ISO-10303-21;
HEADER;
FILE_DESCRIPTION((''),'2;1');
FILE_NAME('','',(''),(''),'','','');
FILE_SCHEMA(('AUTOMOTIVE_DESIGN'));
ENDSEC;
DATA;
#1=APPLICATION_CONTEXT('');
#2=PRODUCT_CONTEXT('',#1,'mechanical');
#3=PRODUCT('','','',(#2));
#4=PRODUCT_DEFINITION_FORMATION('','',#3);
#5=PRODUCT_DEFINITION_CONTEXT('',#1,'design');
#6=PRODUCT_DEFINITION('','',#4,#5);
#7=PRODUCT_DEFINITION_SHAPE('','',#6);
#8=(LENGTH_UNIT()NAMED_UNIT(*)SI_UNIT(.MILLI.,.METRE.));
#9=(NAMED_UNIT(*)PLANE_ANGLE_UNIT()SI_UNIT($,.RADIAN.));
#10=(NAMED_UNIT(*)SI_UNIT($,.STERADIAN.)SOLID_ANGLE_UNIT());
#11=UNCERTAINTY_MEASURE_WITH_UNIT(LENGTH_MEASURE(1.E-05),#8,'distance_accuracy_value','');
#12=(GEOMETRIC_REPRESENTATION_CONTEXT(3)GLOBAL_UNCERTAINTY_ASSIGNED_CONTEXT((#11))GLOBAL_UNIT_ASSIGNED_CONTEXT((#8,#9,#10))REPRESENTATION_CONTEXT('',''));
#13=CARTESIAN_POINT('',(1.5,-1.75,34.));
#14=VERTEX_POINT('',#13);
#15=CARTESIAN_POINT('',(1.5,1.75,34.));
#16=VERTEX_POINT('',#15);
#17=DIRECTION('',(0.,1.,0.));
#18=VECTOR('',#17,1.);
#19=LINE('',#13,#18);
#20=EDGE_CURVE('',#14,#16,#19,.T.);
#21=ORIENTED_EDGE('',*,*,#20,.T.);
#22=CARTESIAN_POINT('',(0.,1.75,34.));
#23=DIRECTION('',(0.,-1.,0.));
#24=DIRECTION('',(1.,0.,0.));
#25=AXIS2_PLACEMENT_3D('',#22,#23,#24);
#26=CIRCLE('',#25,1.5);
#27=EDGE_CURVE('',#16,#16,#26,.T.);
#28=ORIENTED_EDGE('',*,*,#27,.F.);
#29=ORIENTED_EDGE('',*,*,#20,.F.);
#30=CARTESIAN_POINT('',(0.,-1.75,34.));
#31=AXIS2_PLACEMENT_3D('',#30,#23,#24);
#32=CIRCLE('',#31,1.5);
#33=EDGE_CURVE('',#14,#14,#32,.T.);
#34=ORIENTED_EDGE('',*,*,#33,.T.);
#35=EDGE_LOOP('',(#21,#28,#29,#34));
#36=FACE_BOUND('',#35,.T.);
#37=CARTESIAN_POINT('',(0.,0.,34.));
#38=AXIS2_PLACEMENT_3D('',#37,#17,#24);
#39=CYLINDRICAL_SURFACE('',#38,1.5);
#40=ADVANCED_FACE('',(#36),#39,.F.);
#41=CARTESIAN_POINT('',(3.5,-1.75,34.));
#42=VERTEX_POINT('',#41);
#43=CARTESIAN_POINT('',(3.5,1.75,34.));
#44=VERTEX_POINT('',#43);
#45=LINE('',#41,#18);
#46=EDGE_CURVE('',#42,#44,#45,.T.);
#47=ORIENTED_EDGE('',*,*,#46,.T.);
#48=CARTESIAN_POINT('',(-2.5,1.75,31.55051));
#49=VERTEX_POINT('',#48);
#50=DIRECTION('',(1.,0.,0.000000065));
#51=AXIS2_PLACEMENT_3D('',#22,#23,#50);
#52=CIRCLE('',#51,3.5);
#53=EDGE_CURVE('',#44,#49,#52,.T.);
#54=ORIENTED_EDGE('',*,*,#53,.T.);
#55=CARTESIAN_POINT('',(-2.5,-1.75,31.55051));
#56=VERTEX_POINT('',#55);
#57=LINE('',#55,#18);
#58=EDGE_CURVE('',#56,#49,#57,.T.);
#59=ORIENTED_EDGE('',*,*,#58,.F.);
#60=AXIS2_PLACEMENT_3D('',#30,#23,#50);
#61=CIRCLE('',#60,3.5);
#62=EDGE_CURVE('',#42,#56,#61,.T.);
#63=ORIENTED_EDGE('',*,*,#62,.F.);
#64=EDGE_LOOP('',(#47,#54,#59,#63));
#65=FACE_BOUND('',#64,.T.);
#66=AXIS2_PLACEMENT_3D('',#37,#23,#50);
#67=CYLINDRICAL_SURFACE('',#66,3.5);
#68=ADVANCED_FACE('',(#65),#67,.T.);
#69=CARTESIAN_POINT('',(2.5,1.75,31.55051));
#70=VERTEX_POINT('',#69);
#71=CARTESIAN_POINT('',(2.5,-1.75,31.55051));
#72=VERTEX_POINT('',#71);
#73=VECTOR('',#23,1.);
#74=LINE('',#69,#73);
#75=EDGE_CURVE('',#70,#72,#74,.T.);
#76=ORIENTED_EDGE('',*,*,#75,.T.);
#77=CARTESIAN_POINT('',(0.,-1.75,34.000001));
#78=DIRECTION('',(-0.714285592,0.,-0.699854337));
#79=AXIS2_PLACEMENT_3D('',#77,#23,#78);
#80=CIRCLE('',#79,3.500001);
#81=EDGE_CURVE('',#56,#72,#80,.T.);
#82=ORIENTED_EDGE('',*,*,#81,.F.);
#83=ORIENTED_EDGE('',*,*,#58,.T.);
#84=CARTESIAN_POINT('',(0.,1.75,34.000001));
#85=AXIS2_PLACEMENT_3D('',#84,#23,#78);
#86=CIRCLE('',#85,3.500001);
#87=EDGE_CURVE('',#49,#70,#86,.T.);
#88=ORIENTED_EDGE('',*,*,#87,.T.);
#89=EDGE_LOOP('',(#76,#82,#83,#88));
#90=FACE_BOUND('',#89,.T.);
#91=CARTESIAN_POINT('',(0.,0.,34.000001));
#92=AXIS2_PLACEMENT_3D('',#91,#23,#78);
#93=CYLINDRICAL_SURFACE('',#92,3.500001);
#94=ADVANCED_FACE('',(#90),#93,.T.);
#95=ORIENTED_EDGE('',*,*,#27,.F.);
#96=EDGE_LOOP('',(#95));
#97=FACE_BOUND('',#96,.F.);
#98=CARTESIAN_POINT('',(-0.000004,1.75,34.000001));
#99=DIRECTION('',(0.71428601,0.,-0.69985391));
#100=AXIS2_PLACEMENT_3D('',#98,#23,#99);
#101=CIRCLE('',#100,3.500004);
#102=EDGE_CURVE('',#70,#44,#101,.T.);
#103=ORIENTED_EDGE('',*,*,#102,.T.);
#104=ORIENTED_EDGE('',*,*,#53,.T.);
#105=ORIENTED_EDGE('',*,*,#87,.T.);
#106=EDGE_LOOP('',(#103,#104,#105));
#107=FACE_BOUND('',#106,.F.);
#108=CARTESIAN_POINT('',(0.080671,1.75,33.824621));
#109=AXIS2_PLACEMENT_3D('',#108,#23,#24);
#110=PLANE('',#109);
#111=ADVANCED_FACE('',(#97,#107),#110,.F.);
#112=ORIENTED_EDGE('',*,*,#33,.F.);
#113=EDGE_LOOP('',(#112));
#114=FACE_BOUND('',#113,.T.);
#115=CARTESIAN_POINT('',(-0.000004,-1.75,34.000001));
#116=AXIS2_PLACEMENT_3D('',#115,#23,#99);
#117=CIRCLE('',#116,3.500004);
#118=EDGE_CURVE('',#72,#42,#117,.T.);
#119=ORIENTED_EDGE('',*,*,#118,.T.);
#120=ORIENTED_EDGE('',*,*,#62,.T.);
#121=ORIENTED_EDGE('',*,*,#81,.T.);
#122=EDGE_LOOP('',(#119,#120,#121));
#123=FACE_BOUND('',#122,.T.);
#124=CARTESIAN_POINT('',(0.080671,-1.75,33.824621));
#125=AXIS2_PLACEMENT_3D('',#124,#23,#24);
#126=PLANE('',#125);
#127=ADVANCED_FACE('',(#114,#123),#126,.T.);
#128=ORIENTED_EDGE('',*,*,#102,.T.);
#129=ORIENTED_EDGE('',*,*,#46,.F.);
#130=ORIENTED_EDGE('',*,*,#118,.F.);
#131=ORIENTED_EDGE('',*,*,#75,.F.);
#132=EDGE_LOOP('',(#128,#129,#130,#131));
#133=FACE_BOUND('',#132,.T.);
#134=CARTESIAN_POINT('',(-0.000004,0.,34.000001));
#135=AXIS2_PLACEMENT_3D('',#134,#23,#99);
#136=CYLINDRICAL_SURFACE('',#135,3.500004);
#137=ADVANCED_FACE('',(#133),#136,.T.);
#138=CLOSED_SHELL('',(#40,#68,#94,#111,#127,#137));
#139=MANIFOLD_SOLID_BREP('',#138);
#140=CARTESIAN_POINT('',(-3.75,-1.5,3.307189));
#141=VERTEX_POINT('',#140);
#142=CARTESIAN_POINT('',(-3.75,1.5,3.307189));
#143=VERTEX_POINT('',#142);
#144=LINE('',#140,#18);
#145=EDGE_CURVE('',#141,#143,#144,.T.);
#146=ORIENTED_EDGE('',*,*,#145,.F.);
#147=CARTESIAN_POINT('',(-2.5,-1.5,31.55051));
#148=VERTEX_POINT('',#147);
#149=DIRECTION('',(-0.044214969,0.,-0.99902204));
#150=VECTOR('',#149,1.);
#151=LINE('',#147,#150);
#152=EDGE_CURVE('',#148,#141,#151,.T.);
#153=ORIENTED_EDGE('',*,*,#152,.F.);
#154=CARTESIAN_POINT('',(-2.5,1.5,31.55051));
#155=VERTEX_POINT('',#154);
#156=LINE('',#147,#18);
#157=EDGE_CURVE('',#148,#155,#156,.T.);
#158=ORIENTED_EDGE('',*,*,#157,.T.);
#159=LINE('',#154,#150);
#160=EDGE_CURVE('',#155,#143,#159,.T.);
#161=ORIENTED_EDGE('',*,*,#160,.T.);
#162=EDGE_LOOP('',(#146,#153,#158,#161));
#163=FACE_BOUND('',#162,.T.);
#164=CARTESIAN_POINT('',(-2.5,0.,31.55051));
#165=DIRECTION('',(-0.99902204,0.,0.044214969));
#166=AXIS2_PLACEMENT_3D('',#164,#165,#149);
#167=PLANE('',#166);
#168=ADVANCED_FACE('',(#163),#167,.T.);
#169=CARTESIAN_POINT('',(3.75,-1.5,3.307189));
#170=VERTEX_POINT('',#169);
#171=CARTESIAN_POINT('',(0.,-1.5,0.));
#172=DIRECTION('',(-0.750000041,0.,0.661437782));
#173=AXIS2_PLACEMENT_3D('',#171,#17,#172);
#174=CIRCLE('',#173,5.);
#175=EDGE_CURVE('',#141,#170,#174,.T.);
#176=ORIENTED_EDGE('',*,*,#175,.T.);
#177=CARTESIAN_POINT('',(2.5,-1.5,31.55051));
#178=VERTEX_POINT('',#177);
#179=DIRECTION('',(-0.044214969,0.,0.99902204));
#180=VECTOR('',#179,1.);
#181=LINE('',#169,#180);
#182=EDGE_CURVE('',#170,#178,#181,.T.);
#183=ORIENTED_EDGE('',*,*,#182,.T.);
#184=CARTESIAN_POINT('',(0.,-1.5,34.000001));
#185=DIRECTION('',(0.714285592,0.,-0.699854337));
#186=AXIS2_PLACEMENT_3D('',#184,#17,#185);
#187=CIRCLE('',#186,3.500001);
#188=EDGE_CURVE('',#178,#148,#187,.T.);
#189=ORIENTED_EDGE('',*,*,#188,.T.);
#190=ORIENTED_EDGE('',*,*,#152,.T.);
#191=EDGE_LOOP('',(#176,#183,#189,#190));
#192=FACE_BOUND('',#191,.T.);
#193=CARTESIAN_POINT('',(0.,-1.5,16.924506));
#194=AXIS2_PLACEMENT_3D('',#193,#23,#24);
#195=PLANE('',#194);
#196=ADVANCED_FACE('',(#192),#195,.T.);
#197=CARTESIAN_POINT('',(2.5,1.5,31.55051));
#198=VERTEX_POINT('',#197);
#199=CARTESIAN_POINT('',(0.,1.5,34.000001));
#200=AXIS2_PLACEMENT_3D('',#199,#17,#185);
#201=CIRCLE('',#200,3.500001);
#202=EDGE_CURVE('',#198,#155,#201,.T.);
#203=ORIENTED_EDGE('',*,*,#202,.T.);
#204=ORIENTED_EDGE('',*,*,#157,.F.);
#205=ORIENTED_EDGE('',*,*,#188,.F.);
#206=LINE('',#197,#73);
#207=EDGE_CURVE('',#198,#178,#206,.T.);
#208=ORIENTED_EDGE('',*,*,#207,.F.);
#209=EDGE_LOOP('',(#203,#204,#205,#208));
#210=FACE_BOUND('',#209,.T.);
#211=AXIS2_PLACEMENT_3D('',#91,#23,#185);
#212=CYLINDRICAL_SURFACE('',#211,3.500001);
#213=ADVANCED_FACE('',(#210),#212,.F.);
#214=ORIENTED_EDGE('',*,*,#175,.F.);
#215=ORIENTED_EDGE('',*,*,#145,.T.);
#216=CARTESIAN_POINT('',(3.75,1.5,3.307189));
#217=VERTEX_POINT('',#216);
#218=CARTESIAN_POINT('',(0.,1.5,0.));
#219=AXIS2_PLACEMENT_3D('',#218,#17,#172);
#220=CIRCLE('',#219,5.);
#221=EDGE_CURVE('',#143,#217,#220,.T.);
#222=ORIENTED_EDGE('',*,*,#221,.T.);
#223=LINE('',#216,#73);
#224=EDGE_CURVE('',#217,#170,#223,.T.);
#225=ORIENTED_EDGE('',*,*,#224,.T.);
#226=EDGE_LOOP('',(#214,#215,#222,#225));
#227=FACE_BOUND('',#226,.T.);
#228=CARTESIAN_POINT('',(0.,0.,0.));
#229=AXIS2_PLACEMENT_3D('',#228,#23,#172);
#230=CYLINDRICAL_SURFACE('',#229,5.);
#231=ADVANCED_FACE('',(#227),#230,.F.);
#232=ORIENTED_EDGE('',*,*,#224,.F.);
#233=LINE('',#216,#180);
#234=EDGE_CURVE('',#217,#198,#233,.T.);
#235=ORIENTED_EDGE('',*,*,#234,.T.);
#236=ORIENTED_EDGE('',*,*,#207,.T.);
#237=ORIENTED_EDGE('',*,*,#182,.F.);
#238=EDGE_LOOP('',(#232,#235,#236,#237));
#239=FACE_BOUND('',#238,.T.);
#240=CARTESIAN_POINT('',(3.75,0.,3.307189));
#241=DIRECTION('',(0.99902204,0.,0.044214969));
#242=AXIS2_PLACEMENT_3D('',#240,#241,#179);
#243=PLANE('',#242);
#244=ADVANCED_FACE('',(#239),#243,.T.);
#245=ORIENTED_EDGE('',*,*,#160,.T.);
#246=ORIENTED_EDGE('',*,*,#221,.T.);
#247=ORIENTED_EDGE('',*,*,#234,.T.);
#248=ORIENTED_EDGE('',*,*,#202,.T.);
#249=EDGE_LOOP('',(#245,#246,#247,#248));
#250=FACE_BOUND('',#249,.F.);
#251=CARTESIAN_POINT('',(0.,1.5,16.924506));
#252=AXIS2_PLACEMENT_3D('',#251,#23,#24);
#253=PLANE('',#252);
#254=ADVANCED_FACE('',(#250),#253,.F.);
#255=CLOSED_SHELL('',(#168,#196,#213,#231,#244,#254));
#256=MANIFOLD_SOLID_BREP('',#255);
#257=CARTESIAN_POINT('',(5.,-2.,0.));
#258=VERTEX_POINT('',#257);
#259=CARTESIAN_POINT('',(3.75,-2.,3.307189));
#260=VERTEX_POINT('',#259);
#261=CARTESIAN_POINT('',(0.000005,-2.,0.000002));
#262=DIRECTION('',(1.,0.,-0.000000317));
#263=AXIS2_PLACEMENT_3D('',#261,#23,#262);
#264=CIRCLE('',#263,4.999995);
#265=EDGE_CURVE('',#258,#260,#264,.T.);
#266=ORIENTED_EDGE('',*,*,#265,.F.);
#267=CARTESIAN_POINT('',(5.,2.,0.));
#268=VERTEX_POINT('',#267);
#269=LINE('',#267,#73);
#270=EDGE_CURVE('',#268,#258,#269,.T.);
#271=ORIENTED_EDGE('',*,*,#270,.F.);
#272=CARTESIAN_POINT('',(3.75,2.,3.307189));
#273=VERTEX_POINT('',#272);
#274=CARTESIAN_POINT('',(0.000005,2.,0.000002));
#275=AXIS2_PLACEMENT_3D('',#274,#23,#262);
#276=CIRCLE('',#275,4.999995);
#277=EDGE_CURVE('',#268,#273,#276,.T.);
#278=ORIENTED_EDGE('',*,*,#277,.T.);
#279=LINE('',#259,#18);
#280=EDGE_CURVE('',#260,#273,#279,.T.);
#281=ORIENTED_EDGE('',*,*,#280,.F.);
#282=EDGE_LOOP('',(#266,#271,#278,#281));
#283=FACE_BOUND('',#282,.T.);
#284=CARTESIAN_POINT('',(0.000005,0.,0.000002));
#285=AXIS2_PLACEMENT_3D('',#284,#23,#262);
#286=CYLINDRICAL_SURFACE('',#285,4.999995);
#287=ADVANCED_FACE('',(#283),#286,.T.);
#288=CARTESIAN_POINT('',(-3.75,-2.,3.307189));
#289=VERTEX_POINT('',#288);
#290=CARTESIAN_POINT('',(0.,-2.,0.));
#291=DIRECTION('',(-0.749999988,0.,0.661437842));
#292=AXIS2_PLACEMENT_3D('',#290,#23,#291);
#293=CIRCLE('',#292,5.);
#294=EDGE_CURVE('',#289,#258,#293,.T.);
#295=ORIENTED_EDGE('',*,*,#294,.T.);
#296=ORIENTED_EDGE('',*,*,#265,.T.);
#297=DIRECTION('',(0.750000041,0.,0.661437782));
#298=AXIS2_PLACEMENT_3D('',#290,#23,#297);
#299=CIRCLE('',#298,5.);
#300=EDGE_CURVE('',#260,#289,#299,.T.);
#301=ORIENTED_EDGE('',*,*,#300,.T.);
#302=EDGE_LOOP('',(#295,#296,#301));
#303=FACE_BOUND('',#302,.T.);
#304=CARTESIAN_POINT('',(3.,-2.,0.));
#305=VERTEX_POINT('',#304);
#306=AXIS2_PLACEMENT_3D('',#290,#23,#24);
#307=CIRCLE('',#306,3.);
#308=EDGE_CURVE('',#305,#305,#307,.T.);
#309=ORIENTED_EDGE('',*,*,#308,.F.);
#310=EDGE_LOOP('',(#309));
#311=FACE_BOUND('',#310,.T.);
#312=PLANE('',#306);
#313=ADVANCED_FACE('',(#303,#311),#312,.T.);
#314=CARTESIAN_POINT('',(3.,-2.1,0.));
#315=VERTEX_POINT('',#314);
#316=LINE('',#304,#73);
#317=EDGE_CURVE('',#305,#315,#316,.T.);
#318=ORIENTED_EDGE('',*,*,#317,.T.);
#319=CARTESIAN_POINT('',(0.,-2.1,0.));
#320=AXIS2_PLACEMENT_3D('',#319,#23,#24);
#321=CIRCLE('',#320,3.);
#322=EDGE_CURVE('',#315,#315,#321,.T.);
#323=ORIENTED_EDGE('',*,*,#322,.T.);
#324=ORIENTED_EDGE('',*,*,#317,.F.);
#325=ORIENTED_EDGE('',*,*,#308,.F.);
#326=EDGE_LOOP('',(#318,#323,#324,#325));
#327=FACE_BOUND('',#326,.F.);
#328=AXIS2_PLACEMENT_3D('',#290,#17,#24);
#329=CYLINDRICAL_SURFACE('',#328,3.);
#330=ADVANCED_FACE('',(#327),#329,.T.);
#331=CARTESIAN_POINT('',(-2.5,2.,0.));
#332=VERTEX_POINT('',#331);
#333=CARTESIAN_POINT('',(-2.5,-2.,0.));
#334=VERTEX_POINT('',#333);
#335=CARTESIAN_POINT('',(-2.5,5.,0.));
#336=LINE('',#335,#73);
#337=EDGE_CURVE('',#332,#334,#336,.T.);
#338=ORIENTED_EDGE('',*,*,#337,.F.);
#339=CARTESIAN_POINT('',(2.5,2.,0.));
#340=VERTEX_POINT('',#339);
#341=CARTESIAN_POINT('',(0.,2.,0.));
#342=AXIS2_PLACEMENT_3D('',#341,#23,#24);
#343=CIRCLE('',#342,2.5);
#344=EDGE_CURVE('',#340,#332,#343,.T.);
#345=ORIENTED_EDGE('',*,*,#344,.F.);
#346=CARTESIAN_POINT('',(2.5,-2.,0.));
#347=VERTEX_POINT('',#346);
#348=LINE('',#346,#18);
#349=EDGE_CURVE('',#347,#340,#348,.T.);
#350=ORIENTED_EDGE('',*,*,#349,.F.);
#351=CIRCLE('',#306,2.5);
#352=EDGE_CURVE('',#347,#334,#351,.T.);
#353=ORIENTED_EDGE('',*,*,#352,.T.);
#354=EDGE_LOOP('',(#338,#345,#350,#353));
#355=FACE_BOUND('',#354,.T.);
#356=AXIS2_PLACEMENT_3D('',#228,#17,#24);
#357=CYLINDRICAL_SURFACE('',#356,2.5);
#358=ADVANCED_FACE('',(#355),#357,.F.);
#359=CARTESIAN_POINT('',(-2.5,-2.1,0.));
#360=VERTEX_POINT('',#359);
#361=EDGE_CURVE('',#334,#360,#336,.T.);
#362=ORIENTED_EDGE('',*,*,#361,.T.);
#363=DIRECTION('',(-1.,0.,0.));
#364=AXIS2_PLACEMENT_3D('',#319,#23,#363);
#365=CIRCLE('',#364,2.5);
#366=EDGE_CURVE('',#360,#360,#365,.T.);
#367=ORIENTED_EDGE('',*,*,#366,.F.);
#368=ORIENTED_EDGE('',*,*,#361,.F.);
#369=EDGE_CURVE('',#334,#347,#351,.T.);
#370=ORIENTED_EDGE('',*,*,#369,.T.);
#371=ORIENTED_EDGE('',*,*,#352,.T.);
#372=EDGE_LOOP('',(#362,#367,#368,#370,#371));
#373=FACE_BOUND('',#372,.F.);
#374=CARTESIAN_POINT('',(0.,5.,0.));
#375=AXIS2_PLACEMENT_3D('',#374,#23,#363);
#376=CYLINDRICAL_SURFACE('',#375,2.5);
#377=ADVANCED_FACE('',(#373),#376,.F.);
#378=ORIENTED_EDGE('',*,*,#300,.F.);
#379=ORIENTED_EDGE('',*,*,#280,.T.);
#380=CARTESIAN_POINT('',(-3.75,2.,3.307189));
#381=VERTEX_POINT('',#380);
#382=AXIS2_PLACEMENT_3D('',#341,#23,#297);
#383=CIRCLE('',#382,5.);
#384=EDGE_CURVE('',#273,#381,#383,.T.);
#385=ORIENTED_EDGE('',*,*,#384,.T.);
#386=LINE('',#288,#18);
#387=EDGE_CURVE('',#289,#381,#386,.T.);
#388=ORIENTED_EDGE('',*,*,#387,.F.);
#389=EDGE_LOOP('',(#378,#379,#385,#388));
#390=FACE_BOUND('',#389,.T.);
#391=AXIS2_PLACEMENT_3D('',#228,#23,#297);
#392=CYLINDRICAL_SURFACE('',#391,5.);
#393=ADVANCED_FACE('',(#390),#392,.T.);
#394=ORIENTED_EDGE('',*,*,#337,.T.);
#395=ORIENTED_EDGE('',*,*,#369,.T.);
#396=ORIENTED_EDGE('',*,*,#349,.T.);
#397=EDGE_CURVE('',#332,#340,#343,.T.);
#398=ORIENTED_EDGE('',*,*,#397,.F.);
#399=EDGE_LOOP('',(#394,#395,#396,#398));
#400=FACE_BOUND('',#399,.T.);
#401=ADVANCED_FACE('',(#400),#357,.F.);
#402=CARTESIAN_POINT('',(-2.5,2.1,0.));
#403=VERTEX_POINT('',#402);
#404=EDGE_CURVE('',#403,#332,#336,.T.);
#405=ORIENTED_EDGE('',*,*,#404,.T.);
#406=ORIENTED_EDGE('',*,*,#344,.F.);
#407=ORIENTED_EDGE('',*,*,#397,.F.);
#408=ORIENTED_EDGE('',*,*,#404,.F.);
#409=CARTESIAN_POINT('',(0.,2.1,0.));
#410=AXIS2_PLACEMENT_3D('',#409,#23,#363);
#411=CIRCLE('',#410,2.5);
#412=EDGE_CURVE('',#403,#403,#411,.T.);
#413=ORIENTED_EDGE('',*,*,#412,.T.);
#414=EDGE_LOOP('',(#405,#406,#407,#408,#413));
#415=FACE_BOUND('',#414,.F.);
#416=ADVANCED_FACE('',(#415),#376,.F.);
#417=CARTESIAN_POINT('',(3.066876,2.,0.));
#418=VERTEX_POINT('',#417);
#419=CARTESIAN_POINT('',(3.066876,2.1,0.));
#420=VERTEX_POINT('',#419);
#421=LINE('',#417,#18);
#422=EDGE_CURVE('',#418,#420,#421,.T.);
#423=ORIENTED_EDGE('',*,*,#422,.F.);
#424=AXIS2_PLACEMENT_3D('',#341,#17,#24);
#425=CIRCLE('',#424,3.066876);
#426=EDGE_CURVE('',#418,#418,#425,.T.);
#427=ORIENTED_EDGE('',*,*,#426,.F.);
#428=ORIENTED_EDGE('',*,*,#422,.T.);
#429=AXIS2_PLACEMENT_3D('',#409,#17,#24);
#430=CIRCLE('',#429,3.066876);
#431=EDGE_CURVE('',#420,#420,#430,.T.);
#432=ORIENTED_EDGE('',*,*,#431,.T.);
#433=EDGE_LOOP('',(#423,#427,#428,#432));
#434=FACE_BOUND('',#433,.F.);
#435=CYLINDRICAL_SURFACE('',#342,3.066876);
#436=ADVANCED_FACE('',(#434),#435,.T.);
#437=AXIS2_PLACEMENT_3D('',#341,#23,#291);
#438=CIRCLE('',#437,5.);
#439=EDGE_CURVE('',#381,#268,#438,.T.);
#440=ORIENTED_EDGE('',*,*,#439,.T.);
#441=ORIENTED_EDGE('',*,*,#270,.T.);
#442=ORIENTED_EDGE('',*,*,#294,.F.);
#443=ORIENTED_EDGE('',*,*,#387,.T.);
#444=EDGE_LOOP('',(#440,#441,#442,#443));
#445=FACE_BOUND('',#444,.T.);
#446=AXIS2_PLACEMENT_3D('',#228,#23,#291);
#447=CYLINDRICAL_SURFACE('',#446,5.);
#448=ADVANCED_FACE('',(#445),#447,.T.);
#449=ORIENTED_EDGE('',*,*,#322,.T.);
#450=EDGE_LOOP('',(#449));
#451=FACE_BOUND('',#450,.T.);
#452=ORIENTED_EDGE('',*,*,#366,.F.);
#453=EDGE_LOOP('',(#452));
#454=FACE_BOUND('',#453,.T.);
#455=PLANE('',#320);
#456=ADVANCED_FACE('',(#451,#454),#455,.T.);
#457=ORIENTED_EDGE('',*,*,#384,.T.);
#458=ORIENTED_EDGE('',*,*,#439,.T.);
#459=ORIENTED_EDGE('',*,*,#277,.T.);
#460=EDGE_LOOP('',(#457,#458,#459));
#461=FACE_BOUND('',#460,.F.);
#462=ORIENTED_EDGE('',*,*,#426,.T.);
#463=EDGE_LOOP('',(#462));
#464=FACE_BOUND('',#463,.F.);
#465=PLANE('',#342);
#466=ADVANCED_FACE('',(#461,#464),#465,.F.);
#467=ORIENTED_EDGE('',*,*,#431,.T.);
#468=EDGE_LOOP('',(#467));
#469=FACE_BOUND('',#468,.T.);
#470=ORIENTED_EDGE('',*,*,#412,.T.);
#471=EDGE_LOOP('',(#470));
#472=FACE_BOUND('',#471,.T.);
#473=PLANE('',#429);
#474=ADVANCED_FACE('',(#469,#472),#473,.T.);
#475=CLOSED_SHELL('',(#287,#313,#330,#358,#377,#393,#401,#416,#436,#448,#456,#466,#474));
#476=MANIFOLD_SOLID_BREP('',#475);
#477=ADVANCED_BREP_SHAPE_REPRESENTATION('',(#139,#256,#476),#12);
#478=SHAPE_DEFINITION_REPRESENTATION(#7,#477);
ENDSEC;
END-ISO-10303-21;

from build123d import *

# Parameters (mm, degrees)
F0_R      = 1.5
F1_DEPTH  = 1.75
F0_R_2    = 3.25
F2_DEPTH  = 2
F0_R_3    = 2.5
F3_DEPTH  = 2
F4_DEPTH  = 1.5
F7_R      = 3
F10_DEPTH = 0.1
F9_R      = 3.066876
F11_DEPTH = 0.1
F12_D     = 5
F12_DEPTH = 5
F14_D     = 5
F14_DEPTH = 5


with BuildPart() as f1:
    # F0 (on Front) → F1 (new body, symmetric)
    with BuildSketch(Plane.XZ):
        with BuildLine():
            ThreePointArc((-2.5, 31.55051), (0, 30.5), (2.5, 31.55051))
            ThreePointArc((2.5, 31.55051), (3.24037, 32.677124), (3.5, 34))
            ThreePointArc((3.5, 34), (-1.322876, 37.24037), (-2.5, 31.55051))
        make_face()
        with Locations((0, 34)):
            Circle(F0_R, mode=Mode.SUBTRACT)
    extrude(amount=F1_DEPTH, both=True)


with BuildPart() as f2:
    # F0 (on Front) → F2 (new body, symmetric)
    with BuildSketch(Plane.XZ):
        with BuildLine():
            ThreePointArc((-3.75, 3.307189), (-1.767767, -4.677072), (5, 0))
            ThreePointArc((5, 0), (4.677072, 1.767767), (3.75, 3.307189))
            ThreePointArc((3.75, 3.307189), (0, 5), (-3.75, 3.307189))
        make_face()
        Circle(F0_R_2, mode=Mode.SUBTRACT)
    extrude(amount=F2_DEPTH, both=True)

    # F0 (on Front) → F3 (join, symmetric)
    with BuildSketch(Plane.XZ):
        Circle(F0_R_2)
        Circle(F0_R_3, mode=Mode.SUBTRACT)
    extrude(amount=F3_DEPTH, both=True)

    # F7 (on offset) → F10 (join)
    with BuildSketch(Plane.XZ.offset(2)):
        Circle(F7_R)
    extrude(amount=F10_DEPTH)

    # F9 (on offset) → F11 (join)
    with BuildSketch(Plane(origin=(0, 2, 0), x_dir=(1, 0, 0), z_dir=(0, 1, 0))):
        Circle(F9_R)
    extrude(amount=F11_DEPTH)

    # F12
    with Locations(Plane(origin=(0, 0, 0), x_dir=(1, 0, 0), z_dir=(0, 1, 0))):
        with Locations((0, 0)):
            Hole(F12_D / 2, depth=F12_DEPTH)

    # F14
    with Locations(Plane.XZ.offset(-2)):
        with Locations((0, 0)):
            Hole(F14_D / 2, depth=F14_DEPTH)


with BuildPart() as f4:
    # F0 (on Front) → F4 (new body, symmetric)
    with BuildSketch(Plane.XZ):
        with BuildLine():
            ThreePointArc((-3.75, 3.307189), (0, 5), (3.75, 3.307189))
            Line((3.75, 3.307189), (2.5, 31.55051))
            ThreePointArc((2.5, 31.55051), (0, 30.5), (-2.5, 31.55051))
            Line((-2.5, 31.55051), (-3.75, 3.307189))
        make_face()
    extrude(amount=F4_DEPTH, both=True)


solid = Compound([f1.part, f2.part, f4.part])
